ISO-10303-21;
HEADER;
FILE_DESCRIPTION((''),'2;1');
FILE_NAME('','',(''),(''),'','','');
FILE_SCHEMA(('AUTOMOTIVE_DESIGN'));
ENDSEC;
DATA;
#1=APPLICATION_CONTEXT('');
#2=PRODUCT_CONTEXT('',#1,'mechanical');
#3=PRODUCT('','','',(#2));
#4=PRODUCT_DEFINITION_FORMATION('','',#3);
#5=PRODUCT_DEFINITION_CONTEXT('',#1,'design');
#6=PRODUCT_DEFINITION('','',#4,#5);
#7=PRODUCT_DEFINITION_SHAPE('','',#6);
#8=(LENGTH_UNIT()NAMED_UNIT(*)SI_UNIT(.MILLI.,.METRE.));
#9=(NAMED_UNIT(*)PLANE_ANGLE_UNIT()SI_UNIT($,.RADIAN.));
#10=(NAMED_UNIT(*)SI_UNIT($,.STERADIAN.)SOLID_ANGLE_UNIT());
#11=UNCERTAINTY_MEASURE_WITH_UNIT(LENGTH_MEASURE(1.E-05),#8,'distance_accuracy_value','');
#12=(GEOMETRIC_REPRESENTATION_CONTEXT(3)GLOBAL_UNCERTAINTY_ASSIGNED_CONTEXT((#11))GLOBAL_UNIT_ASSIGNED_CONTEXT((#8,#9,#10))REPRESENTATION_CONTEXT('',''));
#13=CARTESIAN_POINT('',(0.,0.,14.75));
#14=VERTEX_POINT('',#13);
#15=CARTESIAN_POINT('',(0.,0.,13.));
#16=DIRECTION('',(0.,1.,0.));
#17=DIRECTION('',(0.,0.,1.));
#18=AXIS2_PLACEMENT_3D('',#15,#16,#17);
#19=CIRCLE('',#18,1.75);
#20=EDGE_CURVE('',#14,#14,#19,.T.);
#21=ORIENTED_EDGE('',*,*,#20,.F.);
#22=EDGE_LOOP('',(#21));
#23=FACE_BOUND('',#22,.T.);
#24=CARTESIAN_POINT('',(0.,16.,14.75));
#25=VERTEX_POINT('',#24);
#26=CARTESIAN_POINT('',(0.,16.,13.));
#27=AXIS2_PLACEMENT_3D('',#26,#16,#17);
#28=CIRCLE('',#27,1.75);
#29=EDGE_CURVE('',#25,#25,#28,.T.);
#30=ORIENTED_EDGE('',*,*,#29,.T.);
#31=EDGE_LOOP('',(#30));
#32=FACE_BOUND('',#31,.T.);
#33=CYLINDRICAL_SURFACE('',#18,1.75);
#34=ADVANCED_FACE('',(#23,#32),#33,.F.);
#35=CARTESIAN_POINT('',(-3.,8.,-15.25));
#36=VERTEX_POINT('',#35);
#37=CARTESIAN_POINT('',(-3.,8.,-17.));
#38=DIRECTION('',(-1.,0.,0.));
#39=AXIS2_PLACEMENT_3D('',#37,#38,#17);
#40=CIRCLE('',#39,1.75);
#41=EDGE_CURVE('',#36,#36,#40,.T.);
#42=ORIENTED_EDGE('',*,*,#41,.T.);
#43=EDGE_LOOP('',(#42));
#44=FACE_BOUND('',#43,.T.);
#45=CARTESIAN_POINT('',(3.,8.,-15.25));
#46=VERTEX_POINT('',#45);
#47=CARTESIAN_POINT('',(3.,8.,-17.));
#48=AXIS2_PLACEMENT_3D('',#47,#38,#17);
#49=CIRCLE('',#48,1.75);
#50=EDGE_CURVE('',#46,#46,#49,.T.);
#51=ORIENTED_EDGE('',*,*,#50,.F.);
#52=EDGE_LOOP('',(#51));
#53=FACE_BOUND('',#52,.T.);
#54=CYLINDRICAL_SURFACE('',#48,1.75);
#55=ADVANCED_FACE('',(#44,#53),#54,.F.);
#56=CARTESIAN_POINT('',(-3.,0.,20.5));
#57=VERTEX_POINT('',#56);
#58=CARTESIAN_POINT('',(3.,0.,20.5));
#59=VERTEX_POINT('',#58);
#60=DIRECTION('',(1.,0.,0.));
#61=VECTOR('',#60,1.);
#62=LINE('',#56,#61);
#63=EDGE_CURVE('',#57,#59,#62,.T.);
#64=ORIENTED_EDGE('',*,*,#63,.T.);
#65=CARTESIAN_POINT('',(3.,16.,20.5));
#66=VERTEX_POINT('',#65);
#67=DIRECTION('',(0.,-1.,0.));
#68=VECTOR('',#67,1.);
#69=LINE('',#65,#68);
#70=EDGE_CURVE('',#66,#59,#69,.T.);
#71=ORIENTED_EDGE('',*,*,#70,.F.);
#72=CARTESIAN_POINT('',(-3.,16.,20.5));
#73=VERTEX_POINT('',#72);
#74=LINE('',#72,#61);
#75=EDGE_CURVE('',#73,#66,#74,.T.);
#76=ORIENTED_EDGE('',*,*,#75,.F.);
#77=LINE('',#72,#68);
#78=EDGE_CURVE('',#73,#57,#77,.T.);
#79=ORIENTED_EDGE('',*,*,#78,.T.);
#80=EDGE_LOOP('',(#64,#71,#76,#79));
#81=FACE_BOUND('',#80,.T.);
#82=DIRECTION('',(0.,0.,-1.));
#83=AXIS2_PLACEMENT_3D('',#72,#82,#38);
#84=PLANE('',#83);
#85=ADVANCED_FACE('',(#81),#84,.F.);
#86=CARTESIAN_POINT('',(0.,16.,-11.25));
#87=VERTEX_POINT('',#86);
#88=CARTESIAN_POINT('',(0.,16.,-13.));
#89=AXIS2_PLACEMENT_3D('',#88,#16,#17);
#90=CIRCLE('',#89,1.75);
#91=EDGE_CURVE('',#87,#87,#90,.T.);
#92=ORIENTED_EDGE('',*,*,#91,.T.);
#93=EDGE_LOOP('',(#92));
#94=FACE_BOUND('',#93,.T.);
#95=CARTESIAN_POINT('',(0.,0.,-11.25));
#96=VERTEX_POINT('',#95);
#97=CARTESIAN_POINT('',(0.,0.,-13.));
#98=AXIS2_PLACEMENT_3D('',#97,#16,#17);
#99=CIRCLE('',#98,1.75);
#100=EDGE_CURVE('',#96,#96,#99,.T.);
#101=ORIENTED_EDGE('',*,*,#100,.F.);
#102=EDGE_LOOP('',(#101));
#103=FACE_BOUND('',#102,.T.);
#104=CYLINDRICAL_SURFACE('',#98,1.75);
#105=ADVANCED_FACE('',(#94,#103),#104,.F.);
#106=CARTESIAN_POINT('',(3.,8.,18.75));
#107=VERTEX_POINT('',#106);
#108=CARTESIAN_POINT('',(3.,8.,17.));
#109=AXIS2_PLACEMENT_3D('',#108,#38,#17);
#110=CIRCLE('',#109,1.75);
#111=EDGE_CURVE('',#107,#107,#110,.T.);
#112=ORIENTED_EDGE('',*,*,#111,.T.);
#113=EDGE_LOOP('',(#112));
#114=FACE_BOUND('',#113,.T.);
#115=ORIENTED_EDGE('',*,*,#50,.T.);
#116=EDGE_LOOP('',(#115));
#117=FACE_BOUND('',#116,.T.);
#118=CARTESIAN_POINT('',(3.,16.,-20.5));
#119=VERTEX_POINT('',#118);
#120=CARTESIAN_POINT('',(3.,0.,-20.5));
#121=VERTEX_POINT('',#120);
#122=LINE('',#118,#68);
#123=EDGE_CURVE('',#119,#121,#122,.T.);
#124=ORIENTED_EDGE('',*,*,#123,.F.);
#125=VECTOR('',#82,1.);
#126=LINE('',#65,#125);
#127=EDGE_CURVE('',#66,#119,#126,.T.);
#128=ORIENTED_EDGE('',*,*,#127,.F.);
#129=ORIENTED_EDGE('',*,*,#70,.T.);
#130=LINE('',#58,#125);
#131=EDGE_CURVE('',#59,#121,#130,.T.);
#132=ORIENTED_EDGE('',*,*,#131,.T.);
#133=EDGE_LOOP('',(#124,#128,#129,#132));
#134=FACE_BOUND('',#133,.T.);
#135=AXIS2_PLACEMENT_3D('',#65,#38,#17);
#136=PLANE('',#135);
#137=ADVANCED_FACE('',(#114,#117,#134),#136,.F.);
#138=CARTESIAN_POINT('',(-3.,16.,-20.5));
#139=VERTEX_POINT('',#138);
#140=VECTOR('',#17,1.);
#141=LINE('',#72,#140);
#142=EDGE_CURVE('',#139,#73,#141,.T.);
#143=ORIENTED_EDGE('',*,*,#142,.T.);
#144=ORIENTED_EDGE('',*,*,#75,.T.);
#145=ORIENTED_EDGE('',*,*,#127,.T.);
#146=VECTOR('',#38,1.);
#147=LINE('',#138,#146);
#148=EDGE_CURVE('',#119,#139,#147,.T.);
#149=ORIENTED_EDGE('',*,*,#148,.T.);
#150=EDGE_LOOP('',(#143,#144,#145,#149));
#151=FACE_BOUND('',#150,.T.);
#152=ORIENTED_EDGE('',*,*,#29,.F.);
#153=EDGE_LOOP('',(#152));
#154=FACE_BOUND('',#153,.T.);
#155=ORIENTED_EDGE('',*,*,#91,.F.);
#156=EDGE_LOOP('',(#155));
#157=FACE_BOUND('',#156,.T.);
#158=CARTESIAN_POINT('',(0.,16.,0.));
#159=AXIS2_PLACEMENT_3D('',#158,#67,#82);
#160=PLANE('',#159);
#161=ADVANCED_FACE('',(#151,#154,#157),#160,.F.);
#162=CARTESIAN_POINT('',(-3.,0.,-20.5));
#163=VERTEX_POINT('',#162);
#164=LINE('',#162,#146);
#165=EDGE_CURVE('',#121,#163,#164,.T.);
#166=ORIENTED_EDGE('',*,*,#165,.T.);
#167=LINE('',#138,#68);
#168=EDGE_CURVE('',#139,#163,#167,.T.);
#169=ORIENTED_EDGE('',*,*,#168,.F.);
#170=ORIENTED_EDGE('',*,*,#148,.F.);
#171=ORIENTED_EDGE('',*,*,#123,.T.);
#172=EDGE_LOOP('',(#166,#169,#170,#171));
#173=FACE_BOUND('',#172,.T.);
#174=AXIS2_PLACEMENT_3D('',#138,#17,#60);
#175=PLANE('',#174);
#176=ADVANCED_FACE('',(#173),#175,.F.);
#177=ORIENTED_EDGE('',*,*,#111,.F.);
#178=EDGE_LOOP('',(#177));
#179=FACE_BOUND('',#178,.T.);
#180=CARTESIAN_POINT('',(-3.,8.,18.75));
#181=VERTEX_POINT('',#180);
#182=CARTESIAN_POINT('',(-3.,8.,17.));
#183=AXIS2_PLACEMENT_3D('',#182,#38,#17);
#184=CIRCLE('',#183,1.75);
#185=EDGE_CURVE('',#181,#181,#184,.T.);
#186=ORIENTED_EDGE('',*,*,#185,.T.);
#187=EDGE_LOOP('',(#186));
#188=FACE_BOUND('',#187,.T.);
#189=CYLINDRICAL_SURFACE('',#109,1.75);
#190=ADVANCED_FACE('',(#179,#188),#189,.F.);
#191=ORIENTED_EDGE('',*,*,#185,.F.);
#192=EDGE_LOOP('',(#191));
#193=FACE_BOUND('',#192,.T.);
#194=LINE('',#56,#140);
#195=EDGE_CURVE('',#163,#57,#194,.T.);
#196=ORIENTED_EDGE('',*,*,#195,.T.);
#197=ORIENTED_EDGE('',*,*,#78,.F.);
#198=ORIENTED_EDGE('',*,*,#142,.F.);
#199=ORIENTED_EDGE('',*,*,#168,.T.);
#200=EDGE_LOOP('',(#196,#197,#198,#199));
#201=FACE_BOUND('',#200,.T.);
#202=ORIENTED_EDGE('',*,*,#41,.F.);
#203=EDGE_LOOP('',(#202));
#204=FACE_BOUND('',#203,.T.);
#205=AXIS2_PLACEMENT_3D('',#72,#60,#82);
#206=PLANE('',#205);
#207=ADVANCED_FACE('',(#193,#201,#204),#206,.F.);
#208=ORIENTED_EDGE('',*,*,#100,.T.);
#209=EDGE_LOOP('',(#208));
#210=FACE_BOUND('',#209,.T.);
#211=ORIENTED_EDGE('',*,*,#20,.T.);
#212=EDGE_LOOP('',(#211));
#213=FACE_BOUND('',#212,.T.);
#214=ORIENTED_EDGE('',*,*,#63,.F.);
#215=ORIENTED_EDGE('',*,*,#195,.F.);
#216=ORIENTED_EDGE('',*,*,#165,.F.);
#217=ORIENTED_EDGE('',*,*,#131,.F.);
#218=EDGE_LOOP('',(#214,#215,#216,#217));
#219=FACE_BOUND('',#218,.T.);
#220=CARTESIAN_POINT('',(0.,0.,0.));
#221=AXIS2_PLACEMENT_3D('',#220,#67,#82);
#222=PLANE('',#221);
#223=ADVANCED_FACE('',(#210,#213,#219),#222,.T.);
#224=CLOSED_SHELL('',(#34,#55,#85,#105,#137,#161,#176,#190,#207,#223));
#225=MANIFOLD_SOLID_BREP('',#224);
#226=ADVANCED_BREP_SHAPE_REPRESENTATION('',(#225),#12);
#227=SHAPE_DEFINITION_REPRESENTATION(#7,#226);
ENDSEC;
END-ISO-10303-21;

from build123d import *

# Parameters (mm, degrees)
SKETCH_1_W          = 6
SKETCH_1_H          = 41
EXTRUDE_1_DEPTH     = 16
SKETCH_2_R          = 1.75
CUT_EXTRUDE_1_DEPTH = 27.177280225
SKETCH_3_R          = 1.75
CUT_EXTRUDE_2_DEPTH = 27.68801229


with BuildPart() as part:
    # 草图1 → 凸台-拉伸1 (new body)
    with BuildSketch(Plane(origin=(0, 0, 0), x_dir=(1, 0, 0), z_dir=(0, 1, 0))):
        Rectangle(SKETCH_1_W, SKETCH_1_H)
    extrude(amount=EXTRUDE_1_DEPTH)

    # 草图2 → 切除-拉伸1 (cut, through all)
    with BuildSketch(Plane(origin=(0, 16, 0), x_dir=(1, 0, 0), z_dir=(0, 1, 0))):
        with Locations(Location((0, 13, 0), (0, 0, 270))):
            Circle(SKETCH_2_R)
        with Locations(Location((0, -13, 0), (0, 0, 270))):
            Circle(SKETCH_2_R)
    extrude(amount=-CUT_EXTRUDE_1_DEPTH, mode=Mode.SUBTRACT)

    # 草图3 → 切除-拉伸2 (cut, through all)
    with BuildSketch(Plane.ZY.offset(3)):
        with Locations((-17, 8)):
            Circle(SKETCH_3_R)
        with Locations((17, 8)):
            Circle(SKETCH_3_R)
    extrude(amount=-CUT_EXTRUDE_2_DEPTH, mode=Mode.SUBTRACT)


solid = part.part
